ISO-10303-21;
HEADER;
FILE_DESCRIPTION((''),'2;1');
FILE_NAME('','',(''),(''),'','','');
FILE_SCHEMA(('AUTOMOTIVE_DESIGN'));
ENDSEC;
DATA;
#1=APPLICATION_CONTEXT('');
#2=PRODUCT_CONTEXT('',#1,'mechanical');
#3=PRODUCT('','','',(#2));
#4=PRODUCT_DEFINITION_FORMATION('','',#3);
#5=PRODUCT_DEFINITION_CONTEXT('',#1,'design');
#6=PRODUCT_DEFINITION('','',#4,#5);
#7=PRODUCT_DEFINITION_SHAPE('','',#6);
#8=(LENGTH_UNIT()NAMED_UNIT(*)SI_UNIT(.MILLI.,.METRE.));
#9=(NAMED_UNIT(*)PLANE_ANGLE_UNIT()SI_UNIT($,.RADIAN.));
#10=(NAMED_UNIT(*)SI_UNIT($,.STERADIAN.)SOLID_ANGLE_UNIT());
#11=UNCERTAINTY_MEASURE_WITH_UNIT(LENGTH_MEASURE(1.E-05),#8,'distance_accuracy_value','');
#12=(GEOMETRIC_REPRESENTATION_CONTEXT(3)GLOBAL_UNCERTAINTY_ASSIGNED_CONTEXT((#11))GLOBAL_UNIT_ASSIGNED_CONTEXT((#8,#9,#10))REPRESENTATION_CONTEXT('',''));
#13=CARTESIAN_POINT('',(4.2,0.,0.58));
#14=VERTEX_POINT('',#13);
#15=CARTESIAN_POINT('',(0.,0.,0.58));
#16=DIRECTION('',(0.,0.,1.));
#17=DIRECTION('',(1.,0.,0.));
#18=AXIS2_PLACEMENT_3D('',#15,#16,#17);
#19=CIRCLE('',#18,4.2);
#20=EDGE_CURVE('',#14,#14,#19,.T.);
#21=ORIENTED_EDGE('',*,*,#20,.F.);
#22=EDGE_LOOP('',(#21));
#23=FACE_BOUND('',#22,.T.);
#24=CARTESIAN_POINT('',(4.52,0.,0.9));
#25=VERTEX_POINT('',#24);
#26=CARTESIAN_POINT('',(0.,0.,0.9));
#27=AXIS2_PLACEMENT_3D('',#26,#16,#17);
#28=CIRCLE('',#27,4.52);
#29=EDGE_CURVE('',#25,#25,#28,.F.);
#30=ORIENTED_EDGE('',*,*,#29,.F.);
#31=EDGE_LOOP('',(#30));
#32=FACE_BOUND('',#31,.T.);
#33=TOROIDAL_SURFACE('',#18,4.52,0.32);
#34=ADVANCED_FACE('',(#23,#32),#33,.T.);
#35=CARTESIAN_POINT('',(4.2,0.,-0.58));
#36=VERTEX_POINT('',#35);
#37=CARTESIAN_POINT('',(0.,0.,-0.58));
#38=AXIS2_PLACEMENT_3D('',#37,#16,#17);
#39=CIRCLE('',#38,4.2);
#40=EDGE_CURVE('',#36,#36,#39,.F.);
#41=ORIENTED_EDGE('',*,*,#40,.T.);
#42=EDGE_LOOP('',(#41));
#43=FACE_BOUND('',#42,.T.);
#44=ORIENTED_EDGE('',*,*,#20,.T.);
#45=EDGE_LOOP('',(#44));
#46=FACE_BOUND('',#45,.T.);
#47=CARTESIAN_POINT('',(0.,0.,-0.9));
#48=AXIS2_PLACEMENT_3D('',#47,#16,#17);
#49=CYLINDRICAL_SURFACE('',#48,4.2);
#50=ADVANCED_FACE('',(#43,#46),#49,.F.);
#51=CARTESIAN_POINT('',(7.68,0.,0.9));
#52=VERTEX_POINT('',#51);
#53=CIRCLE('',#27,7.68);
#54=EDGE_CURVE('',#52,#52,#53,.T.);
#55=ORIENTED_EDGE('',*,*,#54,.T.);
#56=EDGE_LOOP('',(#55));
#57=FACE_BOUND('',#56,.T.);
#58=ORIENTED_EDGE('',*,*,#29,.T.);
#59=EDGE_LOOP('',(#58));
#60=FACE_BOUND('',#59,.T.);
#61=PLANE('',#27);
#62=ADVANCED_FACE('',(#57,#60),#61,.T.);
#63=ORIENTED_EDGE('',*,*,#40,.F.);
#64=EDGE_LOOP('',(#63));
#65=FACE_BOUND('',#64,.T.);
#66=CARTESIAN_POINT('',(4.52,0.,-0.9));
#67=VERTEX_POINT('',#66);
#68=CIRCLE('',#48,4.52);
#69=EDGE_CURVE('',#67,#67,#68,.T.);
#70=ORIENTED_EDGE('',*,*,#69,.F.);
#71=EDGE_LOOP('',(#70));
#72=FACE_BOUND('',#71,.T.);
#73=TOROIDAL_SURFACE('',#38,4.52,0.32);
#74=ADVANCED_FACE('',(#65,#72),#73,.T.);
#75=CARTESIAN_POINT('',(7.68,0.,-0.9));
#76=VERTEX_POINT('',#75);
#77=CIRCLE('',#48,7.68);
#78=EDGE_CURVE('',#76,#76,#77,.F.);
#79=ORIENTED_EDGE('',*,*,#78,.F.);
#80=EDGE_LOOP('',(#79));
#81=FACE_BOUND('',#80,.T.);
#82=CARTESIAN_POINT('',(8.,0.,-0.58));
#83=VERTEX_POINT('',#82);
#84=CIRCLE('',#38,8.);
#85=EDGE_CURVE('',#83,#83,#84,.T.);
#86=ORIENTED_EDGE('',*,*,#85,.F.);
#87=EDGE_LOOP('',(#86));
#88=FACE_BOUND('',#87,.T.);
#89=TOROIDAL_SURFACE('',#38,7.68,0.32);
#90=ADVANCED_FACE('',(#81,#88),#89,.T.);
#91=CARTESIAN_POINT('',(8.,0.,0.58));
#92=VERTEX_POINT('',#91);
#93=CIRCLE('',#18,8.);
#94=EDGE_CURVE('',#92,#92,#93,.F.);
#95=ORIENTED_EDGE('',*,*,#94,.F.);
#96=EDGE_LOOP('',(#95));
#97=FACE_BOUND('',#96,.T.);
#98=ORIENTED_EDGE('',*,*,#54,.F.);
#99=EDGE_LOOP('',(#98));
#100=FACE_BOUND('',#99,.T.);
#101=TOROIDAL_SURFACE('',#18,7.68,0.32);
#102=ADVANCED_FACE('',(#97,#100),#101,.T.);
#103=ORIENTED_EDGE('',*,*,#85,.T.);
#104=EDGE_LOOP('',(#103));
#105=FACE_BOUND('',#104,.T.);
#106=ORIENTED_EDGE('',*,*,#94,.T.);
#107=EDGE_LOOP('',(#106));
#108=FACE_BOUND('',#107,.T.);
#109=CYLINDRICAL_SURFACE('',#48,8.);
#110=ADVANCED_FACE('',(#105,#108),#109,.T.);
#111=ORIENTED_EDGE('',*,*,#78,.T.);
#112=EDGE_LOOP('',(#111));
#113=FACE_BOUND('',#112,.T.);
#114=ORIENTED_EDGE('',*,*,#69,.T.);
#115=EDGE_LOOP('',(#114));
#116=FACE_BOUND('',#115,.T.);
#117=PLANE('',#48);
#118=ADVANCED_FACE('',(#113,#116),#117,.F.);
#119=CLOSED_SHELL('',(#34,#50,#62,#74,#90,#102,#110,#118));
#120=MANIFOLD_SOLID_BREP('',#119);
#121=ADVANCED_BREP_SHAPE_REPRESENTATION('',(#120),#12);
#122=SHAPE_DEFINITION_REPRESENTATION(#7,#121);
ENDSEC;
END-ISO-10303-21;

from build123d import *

# Parameters (mm, degrees)
BOSS_EXTRUDE1_DEPTH      = 0.9
BOSS_EXTRUDE1_DEPTH_BACK = 0.9
SKETCH3_R                = 8
SKETCH3_R_2              = 4.2
FILLET1_R                = 0.32


with BuildPart() as part:
    # Sketch3 → Boss-Extrude1 (new, two sides: drawn at the far end of the back side and taken through both)
    with BuildSketch(Plane.XY.offset(-BOSS_EXTRUDE1_DEPTH_BACK)):
        Circle(SKETCH3_R)
        Circle(SKETCH3_R_2, mode=Mode.SUBTRACT)
    extrude(amount=BOSS_EXTRUDE1_DEPTH + BOSS_EXTRUDE1_DEPTH_BACK)

    # Fillet1
    fillet1_edges = [part.edges().sort_by_distance(p)[0] for p in [
        (-8, 0, -0.9),
        (-4.2, 0, -0.9),
        (-8, 0, 0.9),
        (-4.2, 0, 0.9),
    ]]
    fillet(fillet1_edges, radius=FILLET1_R)


solid = part.part
